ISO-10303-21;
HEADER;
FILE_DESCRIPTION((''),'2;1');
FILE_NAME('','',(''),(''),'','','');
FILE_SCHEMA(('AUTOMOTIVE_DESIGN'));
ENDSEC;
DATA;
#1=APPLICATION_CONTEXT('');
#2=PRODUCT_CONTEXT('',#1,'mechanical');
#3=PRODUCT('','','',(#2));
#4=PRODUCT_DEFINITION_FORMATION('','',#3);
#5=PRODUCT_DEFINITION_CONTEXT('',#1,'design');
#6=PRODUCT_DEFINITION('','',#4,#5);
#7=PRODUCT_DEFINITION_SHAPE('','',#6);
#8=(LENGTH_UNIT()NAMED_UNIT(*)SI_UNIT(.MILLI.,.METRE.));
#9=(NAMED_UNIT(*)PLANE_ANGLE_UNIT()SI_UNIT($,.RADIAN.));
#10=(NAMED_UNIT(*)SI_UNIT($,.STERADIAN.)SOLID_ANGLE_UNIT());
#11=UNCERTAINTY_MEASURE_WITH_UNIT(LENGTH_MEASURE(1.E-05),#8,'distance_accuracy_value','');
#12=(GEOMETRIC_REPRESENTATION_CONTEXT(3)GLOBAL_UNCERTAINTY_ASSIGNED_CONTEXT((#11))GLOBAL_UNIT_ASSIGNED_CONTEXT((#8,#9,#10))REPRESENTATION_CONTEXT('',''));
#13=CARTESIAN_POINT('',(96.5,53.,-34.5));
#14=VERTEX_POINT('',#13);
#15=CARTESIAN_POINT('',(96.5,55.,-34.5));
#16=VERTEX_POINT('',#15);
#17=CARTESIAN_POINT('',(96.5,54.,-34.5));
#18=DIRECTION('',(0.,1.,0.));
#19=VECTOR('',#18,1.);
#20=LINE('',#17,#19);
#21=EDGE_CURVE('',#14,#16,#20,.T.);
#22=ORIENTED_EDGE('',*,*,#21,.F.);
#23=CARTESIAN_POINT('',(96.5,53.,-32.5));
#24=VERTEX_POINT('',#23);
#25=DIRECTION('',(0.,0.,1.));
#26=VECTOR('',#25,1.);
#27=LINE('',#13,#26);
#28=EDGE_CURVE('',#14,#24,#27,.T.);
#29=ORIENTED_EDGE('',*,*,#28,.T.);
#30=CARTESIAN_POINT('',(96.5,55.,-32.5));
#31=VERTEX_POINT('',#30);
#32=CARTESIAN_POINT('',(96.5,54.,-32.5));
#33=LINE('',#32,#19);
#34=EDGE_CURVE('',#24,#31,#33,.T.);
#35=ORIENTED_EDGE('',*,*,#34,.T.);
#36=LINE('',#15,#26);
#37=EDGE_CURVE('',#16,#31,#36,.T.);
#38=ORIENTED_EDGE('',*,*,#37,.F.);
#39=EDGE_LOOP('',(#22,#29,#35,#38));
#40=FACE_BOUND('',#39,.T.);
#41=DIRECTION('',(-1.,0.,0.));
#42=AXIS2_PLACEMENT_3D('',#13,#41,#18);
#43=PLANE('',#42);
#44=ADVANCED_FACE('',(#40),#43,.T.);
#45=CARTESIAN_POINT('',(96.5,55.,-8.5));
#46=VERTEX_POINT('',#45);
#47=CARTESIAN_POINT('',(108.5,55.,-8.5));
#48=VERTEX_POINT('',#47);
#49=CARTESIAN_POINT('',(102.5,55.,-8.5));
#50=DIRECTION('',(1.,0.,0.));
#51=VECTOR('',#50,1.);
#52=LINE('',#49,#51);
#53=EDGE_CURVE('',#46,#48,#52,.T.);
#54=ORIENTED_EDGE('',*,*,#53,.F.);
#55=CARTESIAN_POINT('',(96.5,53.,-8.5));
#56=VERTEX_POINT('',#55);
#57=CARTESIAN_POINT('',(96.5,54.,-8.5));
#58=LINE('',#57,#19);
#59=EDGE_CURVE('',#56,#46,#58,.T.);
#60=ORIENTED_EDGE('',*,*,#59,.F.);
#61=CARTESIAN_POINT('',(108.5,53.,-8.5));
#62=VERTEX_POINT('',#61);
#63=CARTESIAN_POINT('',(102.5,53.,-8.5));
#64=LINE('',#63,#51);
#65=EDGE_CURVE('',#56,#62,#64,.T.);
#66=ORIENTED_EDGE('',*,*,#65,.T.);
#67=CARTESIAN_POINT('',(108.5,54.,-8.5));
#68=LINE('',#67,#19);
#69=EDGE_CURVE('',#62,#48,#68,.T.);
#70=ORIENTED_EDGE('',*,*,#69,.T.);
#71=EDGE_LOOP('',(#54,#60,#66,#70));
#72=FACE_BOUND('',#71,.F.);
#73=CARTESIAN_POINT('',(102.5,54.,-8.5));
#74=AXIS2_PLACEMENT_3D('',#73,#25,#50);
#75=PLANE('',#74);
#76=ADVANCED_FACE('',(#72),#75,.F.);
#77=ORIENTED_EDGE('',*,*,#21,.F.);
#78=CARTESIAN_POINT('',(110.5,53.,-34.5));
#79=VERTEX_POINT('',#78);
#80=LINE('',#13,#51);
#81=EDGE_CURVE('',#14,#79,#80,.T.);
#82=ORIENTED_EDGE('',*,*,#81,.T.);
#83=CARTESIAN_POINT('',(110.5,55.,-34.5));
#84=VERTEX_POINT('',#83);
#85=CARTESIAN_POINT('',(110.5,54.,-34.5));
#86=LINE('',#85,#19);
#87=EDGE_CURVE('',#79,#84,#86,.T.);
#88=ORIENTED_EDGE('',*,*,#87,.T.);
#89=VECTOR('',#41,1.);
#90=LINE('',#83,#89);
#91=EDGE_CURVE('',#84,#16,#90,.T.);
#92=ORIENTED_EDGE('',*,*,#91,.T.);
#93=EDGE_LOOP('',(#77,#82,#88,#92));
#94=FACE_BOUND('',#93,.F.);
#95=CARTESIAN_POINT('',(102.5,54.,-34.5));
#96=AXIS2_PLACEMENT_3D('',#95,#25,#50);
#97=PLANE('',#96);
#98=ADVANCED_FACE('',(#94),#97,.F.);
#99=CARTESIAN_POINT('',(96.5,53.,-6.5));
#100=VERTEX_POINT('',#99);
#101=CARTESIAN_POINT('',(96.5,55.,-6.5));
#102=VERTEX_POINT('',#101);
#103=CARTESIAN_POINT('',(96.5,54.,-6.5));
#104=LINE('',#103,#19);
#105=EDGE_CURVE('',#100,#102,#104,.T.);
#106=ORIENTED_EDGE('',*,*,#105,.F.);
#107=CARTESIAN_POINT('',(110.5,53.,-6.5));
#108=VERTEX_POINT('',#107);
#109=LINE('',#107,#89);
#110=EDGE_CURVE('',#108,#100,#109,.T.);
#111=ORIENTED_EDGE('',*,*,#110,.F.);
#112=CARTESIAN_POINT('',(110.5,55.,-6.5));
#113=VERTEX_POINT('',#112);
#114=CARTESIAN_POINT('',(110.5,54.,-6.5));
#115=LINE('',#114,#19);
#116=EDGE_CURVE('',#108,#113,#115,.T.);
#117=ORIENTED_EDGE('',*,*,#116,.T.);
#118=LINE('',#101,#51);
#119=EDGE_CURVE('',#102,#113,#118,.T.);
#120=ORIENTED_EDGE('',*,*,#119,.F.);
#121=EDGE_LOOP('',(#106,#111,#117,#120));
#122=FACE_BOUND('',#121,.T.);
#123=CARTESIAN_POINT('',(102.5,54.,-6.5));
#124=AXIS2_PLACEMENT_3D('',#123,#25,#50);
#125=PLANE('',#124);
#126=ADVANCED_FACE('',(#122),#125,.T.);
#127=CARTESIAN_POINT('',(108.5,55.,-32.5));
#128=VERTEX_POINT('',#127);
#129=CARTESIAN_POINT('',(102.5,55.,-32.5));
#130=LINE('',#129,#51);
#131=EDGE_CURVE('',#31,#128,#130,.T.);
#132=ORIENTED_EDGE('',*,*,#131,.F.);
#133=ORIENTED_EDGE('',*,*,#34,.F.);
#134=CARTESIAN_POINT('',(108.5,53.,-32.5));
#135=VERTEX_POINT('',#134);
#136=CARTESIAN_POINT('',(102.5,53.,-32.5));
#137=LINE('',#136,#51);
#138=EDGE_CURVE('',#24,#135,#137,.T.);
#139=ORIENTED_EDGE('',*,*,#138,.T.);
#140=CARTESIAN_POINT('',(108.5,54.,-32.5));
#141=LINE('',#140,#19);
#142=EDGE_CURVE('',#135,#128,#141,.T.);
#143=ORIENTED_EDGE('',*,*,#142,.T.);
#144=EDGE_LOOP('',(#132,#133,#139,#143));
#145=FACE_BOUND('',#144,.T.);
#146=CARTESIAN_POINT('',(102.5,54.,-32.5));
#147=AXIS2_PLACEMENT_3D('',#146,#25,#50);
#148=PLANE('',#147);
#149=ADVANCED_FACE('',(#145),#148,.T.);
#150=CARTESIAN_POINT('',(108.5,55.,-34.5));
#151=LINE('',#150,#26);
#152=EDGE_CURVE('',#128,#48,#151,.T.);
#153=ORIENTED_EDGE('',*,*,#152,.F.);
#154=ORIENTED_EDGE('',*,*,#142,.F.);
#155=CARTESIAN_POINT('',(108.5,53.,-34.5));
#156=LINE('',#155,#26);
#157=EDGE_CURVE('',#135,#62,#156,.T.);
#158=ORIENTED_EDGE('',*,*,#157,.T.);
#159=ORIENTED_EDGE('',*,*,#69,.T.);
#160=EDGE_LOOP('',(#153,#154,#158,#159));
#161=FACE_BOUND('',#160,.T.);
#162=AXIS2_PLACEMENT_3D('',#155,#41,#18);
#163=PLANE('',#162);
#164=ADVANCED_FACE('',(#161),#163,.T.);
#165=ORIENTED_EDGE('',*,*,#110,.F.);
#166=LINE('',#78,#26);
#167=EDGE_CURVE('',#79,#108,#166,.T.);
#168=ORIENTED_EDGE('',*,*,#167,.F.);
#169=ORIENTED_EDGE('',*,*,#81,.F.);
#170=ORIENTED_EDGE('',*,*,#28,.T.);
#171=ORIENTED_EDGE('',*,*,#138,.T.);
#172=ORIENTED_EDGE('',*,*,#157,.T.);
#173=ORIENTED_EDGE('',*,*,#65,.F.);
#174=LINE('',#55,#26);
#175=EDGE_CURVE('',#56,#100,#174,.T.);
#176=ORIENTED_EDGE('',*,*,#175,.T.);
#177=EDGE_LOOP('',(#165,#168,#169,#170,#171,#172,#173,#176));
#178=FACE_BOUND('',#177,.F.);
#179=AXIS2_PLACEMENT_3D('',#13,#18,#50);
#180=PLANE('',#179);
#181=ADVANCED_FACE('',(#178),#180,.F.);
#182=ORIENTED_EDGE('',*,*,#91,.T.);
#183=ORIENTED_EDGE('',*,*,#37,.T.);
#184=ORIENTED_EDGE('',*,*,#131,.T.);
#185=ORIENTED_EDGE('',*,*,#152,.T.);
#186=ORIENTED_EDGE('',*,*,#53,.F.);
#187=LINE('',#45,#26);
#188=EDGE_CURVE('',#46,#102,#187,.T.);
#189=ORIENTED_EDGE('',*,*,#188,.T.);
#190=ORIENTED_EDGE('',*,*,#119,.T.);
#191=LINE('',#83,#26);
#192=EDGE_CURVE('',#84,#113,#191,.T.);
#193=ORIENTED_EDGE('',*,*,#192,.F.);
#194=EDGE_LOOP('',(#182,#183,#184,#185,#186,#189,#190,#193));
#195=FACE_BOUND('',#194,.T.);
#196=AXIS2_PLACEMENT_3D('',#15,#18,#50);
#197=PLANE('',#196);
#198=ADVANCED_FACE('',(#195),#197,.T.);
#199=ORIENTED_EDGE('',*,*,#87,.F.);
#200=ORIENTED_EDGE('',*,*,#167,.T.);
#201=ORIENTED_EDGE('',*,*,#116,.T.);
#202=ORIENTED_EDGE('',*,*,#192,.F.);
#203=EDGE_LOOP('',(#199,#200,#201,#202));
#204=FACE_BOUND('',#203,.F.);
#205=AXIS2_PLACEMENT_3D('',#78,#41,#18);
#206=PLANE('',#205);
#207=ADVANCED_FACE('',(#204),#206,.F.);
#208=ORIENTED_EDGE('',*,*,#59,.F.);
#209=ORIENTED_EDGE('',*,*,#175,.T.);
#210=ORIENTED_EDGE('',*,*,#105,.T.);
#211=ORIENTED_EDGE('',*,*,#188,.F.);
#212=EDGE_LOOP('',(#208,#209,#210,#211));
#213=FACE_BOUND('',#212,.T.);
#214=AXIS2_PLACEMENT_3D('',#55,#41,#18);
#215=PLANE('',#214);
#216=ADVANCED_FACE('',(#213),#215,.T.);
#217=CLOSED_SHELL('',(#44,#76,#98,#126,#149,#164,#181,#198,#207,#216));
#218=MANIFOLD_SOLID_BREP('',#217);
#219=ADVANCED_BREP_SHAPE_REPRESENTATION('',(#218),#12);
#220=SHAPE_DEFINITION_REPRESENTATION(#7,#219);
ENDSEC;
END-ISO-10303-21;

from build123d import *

# Parameters (mm, degrees)
BOX244_W     = 12
BOX244_H     = 2
BOX244_DEPTH = 2
BOX245_W     = 12
BOX245_H     = 2
BOX245_DEPTH = 2
BOX243_W     = 2
BOX243_H     = 2
BOX243_DEPTH = 28


with BuildPart() as cube232:
    # Box244 → Box244 (new body)
    with BuildSketch(Plane(origin=(96.5, 53, -8.5), x_dir=(1, 0, 0), z_dir=(0, 0, 1))):
        with Locations((6, 1)):
            Rectangle(BOX244_W, BOX244_H)
    extrude(amount=BOX244_DEPTH)


with BuildPart() as cube233:
    # Box245 → Box245 (new body)
    with BuildSketch(Plane(origin=(96.5, 53, -34.5), x_dir=(1, 0, 0), z_dir=(0, 0, 1))):
        with Locations((6, 1)):
            Rectangle(BOX245_W, BOX245_H)
    extrude(amount=BOX245_DEPTH)


with BuildPart() as fusion077:
    # Box243 → Box243 (new body)
    with BuildSketch(Plane(origin=(108.5, 53, -34.5), x_dir=(1, 0, 0), z_dir=(0, 0, 1))):
        with Locations((1, 1)):
            Rectangle(BOX243_W, BOX243_H)
    extrude(amount=BOX243_DEPTH)

    # Fusion077: union Cube232, Cube233
    add(cube232.part)
    add(cube233.part)


solid = fusion077.part
